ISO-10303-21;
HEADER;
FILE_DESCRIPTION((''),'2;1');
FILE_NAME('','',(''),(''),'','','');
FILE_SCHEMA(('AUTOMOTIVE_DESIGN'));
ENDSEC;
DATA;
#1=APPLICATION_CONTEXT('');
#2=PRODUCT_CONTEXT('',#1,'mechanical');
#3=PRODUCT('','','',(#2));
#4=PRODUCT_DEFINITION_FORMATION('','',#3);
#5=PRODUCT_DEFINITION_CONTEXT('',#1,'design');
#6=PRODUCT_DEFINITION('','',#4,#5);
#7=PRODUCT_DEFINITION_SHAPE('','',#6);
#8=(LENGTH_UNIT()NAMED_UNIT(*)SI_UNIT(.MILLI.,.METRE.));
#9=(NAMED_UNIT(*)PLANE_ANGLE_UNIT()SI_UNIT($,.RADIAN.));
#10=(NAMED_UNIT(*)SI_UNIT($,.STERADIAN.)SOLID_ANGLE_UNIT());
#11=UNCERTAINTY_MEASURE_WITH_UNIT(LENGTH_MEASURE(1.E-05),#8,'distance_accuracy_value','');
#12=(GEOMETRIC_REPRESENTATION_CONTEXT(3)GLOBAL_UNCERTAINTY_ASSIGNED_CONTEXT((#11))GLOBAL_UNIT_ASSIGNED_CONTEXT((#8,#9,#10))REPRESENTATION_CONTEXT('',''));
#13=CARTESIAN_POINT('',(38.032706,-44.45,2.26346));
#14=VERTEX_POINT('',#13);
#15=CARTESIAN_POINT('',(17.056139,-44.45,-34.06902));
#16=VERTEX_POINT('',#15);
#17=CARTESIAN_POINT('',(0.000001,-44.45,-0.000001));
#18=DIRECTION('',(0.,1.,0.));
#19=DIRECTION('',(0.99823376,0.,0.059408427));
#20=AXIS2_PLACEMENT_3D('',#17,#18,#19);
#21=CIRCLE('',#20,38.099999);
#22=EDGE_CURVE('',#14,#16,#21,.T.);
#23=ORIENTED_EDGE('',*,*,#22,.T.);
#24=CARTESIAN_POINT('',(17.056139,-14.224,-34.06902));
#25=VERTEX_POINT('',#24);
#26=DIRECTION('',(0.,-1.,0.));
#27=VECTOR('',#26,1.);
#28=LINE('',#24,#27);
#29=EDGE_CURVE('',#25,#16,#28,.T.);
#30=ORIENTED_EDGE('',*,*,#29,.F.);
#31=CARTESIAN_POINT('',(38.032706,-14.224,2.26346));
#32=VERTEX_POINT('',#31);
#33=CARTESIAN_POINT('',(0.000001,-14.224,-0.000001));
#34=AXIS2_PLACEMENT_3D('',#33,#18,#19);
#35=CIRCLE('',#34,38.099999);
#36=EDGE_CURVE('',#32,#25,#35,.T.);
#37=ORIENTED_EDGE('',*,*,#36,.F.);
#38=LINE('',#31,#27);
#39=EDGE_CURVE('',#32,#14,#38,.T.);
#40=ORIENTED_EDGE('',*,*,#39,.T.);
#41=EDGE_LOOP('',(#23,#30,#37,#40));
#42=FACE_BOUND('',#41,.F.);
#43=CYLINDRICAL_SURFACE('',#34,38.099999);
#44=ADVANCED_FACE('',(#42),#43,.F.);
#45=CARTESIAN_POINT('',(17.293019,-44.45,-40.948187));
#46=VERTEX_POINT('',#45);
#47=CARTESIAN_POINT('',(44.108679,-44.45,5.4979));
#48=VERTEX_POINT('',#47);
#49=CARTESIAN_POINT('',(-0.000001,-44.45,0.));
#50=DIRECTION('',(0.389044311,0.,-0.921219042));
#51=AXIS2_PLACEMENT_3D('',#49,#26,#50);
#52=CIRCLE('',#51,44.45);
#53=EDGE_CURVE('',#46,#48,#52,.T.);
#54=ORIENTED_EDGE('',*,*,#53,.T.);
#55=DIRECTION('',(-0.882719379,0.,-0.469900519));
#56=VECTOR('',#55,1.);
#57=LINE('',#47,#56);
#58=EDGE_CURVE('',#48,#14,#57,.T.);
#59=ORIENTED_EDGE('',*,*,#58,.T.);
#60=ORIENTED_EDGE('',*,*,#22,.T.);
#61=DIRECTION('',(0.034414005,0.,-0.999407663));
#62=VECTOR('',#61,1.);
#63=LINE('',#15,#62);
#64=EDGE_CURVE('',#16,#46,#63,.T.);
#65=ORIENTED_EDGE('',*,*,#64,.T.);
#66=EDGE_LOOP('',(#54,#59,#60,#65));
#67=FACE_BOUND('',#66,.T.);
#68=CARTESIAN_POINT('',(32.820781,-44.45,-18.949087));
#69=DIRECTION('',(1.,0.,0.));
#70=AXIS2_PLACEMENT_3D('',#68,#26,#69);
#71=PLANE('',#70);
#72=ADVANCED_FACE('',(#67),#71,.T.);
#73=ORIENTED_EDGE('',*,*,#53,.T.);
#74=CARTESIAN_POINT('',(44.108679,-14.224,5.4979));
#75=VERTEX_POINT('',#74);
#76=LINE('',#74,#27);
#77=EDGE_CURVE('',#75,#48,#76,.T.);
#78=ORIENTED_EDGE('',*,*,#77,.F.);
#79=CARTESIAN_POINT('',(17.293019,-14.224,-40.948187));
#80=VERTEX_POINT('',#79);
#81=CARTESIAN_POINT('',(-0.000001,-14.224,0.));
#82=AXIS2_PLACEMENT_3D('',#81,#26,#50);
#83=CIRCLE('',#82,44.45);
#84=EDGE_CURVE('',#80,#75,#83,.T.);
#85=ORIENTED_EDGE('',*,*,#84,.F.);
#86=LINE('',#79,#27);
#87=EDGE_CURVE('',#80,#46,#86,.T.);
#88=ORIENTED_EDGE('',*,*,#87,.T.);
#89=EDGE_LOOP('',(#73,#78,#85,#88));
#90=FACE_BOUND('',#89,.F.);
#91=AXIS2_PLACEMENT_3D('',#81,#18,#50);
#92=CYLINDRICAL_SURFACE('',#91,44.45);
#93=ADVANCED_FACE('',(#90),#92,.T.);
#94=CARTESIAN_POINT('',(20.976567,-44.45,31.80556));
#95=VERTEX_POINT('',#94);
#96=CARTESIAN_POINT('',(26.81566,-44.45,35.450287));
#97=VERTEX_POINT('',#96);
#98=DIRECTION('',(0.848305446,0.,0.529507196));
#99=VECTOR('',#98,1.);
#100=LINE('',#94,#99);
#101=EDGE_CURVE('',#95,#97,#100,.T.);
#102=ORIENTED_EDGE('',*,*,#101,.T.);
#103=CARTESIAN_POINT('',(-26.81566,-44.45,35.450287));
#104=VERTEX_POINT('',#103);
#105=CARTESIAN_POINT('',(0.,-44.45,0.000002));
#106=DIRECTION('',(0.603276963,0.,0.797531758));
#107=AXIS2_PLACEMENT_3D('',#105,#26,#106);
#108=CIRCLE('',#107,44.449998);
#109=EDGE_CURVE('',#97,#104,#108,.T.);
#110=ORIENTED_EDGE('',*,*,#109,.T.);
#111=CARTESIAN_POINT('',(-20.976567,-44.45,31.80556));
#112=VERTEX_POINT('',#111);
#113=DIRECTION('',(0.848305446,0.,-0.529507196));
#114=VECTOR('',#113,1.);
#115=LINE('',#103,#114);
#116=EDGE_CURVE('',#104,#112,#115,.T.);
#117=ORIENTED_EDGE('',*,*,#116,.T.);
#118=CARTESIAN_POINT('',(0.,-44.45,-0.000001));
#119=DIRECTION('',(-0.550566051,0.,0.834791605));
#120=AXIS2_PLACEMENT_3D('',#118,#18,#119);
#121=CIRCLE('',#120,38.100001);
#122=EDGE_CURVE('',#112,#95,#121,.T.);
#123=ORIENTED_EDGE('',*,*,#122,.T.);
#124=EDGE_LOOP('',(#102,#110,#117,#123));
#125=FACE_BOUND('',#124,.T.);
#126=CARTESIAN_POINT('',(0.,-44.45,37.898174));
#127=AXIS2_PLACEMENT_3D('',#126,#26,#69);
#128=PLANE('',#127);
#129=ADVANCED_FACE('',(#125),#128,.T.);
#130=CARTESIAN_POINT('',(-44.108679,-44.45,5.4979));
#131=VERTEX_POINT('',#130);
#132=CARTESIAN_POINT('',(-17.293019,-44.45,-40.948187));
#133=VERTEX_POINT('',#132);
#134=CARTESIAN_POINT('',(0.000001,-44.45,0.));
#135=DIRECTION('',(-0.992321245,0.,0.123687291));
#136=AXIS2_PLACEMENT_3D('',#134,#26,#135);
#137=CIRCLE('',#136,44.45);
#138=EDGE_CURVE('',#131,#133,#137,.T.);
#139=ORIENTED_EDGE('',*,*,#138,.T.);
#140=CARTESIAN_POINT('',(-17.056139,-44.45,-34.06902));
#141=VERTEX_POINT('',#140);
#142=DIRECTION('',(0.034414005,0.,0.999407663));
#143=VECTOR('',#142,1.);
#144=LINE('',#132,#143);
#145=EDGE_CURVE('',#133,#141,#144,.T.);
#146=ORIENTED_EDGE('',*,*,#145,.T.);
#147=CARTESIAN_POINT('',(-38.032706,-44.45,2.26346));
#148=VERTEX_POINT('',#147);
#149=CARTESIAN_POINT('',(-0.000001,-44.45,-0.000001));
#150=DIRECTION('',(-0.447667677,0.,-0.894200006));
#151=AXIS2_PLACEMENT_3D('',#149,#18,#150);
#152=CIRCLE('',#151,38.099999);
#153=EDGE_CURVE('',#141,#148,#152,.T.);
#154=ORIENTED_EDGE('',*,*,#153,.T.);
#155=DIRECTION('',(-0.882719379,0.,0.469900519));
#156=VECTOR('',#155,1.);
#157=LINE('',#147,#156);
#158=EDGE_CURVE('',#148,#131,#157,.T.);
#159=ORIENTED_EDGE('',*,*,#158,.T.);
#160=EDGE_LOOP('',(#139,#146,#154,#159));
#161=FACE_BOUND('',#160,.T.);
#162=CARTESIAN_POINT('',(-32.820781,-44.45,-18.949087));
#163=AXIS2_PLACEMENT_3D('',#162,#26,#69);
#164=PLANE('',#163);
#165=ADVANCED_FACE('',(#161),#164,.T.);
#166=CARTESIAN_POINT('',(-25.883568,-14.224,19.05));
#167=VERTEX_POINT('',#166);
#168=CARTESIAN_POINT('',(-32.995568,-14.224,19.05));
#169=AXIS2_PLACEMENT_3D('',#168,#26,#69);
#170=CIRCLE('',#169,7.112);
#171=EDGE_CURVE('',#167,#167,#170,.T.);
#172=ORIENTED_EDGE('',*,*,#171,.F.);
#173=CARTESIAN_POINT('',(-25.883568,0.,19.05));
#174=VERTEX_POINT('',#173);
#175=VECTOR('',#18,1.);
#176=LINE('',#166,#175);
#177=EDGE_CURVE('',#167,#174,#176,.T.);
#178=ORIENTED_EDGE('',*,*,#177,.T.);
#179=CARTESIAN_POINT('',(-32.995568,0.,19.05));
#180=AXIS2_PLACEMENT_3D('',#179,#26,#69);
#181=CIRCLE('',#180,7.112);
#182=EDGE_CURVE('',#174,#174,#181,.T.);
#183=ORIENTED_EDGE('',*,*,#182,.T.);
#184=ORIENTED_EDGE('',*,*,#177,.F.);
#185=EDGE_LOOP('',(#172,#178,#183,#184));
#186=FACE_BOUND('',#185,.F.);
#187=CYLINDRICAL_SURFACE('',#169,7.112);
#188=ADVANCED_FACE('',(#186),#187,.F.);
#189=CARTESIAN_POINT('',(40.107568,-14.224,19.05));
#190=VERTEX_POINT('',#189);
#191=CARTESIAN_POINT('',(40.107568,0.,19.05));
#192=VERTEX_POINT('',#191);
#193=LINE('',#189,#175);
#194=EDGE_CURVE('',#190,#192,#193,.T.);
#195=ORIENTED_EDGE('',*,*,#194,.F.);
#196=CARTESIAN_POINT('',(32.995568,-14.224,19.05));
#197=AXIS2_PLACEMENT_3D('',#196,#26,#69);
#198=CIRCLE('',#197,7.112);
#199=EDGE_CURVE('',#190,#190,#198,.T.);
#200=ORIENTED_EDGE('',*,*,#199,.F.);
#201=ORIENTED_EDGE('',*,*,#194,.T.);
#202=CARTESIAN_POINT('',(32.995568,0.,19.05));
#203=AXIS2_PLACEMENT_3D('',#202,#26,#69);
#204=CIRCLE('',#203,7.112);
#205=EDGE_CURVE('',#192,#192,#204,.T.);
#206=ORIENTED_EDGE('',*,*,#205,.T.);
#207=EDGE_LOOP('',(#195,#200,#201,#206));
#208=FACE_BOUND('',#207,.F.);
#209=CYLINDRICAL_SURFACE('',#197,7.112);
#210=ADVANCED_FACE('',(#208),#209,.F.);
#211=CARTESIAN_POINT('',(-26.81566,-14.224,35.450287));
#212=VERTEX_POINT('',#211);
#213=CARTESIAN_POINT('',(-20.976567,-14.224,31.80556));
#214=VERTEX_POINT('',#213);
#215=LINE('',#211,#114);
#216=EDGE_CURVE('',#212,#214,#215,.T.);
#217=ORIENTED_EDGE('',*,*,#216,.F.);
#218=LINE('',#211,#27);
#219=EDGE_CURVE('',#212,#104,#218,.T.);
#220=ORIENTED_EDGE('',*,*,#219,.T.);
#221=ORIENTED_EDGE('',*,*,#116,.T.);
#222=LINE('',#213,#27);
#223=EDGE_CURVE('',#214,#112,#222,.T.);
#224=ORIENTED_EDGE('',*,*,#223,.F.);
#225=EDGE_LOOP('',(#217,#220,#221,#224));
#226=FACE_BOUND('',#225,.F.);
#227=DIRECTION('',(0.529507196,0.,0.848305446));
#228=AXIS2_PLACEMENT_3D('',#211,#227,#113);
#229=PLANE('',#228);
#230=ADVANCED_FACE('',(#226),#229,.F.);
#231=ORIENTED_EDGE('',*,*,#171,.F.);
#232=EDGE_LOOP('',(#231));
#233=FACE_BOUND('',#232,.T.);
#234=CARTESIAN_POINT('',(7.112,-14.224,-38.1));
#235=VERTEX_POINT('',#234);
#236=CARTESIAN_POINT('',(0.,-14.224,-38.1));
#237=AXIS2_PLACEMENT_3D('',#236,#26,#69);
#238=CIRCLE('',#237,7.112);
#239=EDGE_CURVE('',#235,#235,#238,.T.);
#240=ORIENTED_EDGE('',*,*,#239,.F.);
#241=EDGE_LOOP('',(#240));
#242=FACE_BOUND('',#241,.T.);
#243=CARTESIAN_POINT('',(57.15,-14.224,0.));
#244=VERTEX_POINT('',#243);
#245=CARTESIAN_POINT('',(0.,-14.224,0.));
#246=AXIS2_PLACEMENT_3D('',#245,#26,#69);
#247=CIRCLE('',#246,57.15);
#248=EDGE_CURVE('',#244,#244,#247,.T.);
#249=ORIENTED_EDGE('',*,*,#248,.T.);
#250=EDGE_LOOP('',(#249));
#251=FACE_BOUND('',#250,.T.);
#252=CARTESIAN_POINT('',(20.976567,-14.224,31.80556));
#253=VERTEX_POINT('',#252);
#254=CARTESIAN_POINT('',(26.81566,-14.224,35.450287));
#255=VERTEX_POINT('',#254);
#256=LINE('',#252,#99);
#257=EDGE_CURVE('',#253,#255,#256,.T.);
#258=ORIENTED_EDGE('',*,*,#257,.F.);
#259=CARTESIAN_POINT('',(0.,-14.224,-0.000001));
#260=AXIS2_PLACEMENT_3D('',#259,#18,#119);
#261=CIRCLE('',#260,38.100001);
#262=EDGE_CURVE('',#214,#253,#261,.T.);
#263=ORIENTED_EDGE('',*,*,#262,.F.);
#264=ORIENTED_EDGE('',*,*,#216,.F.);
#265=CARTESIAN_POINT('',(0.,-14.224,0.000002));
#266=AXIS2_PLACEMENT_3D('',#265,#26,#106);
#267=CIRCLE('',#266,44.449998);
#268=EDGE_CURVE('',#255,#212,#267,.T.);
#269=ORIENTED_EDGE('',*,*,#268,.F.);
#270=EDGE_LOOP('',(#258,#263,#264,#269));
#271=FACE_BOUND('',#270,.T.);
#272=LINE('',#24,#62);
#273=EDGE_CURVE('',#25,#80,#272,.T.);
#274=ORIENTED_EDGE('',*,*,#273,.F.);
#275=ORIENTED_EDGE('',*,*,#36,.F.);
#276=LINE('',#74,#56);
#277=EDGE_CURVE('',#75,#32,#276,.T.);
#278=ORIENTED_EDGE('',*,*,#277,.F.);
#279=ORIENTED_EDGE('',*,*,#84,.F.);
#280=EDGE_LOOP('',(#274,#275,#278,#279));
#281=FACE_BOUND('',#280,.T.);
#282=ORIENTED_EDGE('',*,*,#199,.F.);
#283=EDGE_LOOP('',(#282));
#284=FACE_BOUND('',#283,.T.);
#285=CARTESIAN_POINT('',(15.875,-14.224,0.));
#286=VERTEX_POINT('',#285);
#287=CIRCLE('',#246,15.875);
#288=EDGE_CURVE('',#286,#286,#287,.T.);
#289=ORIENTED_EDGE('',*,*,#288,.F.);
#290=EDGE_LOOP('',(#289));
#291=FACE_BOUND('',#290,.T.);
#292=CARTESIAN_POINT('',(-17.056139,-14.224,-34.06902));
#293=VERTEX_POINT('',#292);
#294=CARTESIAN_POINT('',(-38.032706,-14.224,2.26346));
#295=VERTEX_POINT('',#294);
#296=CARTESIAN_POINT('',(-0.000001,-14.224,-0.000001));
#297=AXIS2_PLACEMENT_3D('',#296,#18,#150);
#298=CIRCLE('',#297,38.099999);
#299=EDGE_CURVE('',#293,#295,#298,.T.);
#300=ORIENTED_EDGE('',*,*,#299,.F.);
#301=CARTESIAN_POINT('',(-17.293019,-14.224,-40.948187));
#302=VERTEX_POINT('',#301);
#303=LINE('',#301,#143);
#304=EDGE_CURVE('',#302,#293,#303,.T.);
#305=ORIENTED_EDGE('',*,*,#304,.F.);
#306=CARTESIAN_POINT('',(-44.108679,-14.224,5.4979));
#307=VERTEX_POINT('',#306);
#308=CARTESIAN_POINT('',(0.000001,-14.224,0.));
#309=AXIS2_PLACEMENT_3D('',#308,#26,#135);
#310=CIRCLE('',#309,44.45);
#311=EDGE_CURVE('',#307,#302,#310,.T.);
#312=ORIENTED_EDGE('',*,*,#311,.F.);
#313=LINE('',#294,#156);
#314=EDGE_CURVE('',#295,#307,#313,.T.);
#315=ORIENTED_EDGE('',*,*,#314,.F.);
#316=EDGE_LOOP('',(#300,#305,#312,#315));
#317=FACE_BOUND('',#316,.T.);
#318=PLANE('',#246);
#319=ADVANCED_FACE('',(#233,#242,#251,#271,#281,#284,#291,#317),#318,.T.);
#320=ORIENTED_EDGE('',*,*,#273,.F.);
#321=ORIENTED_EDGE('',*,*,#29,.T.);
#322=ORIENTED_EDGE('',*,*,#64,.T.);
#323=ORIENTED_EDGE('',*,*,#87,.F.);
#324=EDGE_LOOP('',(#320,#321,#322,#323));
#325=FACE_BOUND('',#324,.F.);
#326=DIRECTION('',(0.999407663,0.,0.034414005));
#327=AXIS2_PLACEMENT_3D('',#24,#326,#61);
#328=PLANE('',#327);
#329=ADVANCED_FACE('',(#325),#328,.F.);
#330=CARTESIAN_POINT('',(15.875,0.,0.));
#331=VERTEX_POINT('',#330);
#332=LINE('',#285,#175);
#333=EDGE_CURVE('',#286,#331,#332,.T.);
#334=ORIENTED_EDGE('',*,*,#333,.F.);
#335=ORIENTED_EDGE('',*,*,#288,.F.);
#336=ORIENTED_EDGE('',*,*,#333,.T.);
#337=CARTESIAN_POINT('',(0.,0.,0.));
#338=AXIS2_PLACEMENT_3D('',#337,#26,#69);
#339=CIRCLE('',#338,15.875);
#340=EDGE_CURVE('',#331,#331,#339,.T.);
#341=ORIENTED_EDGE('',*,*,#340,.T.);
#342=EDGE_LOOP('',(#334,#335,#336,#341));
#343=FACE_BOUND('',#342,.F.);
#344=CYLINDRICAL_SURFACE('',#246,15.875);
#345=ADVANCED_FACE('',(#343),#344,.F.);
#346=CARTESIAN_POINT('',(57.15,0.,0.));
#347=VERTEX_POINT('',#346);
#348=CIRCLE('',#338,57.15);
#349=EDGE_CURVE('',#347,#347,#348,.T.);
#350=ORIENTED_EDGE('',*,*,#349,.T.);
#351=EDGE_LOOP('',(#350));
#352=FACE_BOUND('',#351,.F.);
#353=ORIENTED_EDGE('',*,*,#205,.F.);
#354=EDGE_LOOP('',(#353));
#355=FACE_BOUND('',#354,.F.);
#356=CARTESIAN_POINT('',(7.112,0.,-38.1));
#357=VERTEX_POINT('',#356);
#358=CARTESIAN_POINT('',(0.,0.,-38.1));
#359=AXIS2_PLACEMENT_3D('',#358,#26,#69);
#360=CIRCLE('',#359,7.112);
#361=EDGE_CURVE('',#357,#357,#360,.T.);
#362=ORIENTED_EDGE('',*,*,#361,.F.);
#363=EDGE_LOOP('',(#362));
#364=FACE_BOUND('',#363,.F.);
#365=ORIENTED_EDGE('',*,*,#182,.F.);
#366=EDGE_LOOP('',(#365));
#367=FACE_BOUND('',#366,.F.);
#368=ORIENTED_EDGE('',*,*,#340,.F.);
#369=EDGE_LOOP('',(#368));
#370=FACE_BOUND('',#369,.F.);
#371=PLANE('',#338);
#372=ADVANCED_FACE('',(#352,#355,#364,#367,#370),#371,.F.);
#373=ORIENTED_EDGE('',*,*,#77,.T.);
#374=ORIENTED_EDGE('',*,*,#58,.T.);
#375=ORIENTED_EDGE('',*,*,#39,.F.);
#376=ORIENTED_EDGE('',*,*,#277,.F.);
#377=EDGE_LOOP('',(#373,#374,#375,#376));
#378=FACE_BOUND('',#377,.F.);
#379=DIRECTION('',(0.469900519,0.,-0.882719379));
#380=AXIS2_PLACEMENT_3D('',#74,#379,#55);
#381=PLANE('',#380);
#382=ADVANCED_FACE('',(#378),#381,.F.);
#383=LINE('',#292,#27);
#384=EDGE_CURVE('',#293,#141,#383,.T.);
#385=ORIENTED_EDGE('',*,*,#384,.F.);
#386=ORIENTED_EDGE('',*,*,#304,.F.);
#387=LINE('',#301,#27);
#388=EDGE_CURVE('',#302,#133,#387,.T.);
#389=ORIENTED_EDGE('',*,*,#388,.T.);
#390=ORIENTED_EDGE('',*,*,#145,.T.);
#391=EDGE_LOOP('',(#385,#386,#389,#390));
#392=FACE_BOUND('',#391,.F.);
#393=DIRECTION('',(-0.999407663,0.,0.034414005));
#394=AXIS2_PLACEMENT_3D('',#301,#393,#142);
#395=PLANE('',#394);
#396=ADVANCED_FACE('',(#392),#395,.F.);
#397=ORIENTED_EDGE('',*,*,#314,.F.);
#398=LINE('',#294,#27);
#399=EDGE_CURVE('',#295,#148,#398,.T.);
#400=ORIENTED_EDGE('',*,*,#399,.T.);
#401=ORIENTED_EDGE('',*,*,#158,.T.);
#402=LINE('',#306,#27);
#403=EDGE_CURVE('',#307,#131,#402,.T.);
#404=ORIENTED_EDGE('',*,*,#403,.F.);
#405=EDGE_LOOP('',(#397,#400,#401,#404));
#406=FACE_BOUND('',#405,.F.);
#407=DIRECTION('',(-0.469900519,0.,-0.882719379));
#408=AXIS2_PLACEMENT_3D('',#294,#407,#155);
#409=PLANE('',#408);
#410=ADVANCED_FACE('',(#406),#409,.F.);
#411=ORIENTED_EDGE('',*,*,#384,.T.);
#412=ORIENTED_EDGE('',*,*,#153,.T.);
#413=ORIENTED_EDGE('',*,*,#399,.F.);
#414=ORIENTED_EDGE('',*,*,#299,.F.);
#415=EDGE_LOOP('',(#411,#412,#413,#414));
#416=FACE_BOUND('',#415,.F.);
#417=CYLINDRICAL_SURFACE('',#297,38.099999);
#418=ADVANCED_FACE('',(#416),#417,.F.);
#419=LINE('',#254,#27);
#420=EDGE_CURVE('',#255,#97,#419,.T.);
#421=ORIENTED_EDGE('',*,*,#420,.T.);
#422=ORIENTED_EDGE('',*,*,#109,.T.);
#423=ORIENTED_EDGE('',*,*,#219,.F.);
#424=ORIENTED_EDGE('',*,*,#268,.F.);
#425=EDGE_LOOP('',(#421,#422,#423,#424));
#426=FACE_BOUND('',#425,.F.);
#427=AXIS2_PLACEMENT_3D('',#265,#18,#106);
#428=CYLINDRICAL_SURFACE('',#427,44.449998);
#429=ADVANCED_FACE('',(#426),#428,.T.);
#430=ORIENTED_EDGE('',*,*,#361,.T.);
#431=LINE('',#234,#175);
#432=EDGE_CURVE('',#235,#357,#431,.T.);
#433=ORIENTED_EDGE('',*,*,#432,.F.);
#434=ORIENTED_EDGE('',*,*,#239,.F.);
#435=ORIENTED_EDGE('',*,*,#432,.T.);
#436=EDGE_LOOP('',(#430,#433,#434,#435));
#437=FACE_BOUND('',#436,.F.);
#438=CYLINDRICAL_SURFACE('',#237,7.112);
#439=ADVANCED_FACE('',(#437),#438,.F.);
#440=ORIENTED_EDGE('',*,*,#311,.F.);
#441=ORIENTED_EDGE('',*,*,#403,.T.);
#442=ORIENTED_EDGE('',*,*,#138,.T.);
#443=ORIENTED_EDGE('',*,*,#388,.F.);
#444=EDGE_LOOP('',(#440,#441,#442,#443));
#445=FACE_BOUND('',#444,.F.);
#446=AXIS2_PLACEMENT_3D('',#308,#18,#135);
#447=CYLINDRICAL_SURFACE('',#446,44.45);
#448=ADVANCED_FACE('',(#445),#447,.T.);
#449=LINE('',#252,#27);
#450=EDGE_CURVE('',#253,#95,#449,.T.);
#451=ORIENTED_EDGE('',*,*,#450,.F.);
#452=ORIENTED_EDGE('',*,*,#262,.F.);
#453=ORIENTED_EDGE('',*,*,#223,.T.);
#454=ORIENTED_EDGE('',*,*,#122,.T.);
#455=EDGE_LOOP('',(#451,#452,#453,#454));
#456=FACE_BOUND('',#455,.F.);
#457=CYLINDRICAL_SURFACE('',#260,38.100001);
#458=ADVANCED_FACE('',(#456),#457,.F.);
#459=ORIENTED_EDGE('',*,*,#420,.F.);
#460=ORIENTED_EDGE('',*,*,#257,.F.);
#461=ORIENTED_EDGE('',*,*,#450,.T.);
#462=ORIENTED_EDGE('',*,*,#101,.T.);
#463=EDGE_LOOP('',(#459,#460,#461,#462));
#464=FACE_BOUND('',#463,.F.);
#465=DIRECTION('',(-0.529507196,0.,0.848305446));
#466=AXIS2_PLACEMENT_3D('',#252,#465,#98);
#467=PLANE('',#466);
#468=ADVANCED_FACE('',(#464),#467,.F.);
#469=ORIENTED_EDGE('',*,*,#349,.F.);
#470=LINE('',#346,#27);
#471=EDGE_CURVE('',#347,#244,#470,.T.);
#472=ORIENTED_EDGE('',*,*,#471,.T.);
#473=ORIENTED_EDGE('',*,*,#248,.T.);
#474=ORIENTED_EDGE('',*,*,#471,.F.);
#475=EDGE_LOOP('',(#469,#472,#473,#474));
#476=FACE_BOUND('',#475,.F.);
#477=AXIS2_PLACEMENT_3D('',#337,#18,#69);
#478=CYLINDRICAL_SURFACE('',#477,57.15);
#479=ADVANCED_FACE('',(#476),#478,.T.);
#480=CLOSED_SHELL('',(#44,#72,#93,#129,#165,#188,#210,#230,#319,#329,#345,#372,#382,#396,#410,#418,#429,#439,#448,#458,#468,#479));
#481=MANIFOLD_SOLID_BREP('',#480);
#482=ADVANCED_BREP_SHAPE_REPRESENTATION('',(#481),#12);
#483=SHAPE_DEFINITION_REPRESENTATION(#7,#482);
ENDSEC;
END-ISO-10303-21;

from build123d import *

# Parameters (mm, degrees)
F0_R     = 57.15
F1_DEPTH = 14.224
F2_R     = 15.875
F3_DEPTH = 25.4
F4_R     = 7.112
F5_DEPTH = 25.4
F7_DEPTH = 30.226


with BuildPart() as f1:
    # F0 (on Front) → F1 (new body)
    with BuildSketch(Plane.XZ):
        Circle(F0_R)
    extrude(amount=F1_DEPTH)

    # F2 (on face) → F3 (cut)
    with BuildSketch(Plane.XZ.offset(14.224)):
        Circle(F2_R)
    extrude(amount=-F3_DEPTH, mode=Mode.SUBTRACT)

    # F4 (on face) → F5 (cut)
    with BuildSketch(Plane.XZ.offset(14.224)):
        with Locations((0, -38.1)):
            Circle(F4_R)
        with Locations((32.995568, 19.05)):
            Circle(F4_R)
        with Locations((-32.995568, 19.05)):
            Circle(F4_R)
    extrude(amount=-F5_DEPTH, mode=Mode.SUBTRACT)

    # F6 (on face) → F7 (join)
    with BuildSketch(Plane.XZ.offset(14.224)):
        with BuildLine():
            Line((-38.032706, 2.26346), (-44.108679, 5.4979))
            ThreePointArc((-44.108679, 5.4979), (-38.494829, -22.225), (-17.293019, -40.948187))
            Line((-17.293019, -40.948187), (-17.056139, -34.06902))
            ThreePointArc((-17.056139, -34.06902), (-32.995568, -19.05), (-38.032706, 2.26346))
        make_face()
        with BuildLine():
            ThreePointArc((-20.976567, 31.80556), (0, 38.1), (20.976567, 31.80556))
            Line((20.976567, 31.80556), (26.81566, 35.450287))
            ThreePointArc((26.81566, 35.450287), (0, 44.45), (-26.81566, 35.450287))
            Line((-26.81566, 35.450287), (-20.976567, 31.80556))
        make_face()
        with BuildLine():
            Line((17.056139, -34.06902), (17.293019, -40.948187))
            ThreePointArc((17.293019, -40.948187), (38.494829, -22.225), (44.108679, 5.4979))
            Line((44.108679, 5.4979), (38.032706, 2.26346))
            ThreePointArc((38.032706, 2.26346), (32.995568, -19.05), (17.056139, -34.06902))
        make_face()
    extrude(amount=F7_DEPTH)


solid = f1.part
